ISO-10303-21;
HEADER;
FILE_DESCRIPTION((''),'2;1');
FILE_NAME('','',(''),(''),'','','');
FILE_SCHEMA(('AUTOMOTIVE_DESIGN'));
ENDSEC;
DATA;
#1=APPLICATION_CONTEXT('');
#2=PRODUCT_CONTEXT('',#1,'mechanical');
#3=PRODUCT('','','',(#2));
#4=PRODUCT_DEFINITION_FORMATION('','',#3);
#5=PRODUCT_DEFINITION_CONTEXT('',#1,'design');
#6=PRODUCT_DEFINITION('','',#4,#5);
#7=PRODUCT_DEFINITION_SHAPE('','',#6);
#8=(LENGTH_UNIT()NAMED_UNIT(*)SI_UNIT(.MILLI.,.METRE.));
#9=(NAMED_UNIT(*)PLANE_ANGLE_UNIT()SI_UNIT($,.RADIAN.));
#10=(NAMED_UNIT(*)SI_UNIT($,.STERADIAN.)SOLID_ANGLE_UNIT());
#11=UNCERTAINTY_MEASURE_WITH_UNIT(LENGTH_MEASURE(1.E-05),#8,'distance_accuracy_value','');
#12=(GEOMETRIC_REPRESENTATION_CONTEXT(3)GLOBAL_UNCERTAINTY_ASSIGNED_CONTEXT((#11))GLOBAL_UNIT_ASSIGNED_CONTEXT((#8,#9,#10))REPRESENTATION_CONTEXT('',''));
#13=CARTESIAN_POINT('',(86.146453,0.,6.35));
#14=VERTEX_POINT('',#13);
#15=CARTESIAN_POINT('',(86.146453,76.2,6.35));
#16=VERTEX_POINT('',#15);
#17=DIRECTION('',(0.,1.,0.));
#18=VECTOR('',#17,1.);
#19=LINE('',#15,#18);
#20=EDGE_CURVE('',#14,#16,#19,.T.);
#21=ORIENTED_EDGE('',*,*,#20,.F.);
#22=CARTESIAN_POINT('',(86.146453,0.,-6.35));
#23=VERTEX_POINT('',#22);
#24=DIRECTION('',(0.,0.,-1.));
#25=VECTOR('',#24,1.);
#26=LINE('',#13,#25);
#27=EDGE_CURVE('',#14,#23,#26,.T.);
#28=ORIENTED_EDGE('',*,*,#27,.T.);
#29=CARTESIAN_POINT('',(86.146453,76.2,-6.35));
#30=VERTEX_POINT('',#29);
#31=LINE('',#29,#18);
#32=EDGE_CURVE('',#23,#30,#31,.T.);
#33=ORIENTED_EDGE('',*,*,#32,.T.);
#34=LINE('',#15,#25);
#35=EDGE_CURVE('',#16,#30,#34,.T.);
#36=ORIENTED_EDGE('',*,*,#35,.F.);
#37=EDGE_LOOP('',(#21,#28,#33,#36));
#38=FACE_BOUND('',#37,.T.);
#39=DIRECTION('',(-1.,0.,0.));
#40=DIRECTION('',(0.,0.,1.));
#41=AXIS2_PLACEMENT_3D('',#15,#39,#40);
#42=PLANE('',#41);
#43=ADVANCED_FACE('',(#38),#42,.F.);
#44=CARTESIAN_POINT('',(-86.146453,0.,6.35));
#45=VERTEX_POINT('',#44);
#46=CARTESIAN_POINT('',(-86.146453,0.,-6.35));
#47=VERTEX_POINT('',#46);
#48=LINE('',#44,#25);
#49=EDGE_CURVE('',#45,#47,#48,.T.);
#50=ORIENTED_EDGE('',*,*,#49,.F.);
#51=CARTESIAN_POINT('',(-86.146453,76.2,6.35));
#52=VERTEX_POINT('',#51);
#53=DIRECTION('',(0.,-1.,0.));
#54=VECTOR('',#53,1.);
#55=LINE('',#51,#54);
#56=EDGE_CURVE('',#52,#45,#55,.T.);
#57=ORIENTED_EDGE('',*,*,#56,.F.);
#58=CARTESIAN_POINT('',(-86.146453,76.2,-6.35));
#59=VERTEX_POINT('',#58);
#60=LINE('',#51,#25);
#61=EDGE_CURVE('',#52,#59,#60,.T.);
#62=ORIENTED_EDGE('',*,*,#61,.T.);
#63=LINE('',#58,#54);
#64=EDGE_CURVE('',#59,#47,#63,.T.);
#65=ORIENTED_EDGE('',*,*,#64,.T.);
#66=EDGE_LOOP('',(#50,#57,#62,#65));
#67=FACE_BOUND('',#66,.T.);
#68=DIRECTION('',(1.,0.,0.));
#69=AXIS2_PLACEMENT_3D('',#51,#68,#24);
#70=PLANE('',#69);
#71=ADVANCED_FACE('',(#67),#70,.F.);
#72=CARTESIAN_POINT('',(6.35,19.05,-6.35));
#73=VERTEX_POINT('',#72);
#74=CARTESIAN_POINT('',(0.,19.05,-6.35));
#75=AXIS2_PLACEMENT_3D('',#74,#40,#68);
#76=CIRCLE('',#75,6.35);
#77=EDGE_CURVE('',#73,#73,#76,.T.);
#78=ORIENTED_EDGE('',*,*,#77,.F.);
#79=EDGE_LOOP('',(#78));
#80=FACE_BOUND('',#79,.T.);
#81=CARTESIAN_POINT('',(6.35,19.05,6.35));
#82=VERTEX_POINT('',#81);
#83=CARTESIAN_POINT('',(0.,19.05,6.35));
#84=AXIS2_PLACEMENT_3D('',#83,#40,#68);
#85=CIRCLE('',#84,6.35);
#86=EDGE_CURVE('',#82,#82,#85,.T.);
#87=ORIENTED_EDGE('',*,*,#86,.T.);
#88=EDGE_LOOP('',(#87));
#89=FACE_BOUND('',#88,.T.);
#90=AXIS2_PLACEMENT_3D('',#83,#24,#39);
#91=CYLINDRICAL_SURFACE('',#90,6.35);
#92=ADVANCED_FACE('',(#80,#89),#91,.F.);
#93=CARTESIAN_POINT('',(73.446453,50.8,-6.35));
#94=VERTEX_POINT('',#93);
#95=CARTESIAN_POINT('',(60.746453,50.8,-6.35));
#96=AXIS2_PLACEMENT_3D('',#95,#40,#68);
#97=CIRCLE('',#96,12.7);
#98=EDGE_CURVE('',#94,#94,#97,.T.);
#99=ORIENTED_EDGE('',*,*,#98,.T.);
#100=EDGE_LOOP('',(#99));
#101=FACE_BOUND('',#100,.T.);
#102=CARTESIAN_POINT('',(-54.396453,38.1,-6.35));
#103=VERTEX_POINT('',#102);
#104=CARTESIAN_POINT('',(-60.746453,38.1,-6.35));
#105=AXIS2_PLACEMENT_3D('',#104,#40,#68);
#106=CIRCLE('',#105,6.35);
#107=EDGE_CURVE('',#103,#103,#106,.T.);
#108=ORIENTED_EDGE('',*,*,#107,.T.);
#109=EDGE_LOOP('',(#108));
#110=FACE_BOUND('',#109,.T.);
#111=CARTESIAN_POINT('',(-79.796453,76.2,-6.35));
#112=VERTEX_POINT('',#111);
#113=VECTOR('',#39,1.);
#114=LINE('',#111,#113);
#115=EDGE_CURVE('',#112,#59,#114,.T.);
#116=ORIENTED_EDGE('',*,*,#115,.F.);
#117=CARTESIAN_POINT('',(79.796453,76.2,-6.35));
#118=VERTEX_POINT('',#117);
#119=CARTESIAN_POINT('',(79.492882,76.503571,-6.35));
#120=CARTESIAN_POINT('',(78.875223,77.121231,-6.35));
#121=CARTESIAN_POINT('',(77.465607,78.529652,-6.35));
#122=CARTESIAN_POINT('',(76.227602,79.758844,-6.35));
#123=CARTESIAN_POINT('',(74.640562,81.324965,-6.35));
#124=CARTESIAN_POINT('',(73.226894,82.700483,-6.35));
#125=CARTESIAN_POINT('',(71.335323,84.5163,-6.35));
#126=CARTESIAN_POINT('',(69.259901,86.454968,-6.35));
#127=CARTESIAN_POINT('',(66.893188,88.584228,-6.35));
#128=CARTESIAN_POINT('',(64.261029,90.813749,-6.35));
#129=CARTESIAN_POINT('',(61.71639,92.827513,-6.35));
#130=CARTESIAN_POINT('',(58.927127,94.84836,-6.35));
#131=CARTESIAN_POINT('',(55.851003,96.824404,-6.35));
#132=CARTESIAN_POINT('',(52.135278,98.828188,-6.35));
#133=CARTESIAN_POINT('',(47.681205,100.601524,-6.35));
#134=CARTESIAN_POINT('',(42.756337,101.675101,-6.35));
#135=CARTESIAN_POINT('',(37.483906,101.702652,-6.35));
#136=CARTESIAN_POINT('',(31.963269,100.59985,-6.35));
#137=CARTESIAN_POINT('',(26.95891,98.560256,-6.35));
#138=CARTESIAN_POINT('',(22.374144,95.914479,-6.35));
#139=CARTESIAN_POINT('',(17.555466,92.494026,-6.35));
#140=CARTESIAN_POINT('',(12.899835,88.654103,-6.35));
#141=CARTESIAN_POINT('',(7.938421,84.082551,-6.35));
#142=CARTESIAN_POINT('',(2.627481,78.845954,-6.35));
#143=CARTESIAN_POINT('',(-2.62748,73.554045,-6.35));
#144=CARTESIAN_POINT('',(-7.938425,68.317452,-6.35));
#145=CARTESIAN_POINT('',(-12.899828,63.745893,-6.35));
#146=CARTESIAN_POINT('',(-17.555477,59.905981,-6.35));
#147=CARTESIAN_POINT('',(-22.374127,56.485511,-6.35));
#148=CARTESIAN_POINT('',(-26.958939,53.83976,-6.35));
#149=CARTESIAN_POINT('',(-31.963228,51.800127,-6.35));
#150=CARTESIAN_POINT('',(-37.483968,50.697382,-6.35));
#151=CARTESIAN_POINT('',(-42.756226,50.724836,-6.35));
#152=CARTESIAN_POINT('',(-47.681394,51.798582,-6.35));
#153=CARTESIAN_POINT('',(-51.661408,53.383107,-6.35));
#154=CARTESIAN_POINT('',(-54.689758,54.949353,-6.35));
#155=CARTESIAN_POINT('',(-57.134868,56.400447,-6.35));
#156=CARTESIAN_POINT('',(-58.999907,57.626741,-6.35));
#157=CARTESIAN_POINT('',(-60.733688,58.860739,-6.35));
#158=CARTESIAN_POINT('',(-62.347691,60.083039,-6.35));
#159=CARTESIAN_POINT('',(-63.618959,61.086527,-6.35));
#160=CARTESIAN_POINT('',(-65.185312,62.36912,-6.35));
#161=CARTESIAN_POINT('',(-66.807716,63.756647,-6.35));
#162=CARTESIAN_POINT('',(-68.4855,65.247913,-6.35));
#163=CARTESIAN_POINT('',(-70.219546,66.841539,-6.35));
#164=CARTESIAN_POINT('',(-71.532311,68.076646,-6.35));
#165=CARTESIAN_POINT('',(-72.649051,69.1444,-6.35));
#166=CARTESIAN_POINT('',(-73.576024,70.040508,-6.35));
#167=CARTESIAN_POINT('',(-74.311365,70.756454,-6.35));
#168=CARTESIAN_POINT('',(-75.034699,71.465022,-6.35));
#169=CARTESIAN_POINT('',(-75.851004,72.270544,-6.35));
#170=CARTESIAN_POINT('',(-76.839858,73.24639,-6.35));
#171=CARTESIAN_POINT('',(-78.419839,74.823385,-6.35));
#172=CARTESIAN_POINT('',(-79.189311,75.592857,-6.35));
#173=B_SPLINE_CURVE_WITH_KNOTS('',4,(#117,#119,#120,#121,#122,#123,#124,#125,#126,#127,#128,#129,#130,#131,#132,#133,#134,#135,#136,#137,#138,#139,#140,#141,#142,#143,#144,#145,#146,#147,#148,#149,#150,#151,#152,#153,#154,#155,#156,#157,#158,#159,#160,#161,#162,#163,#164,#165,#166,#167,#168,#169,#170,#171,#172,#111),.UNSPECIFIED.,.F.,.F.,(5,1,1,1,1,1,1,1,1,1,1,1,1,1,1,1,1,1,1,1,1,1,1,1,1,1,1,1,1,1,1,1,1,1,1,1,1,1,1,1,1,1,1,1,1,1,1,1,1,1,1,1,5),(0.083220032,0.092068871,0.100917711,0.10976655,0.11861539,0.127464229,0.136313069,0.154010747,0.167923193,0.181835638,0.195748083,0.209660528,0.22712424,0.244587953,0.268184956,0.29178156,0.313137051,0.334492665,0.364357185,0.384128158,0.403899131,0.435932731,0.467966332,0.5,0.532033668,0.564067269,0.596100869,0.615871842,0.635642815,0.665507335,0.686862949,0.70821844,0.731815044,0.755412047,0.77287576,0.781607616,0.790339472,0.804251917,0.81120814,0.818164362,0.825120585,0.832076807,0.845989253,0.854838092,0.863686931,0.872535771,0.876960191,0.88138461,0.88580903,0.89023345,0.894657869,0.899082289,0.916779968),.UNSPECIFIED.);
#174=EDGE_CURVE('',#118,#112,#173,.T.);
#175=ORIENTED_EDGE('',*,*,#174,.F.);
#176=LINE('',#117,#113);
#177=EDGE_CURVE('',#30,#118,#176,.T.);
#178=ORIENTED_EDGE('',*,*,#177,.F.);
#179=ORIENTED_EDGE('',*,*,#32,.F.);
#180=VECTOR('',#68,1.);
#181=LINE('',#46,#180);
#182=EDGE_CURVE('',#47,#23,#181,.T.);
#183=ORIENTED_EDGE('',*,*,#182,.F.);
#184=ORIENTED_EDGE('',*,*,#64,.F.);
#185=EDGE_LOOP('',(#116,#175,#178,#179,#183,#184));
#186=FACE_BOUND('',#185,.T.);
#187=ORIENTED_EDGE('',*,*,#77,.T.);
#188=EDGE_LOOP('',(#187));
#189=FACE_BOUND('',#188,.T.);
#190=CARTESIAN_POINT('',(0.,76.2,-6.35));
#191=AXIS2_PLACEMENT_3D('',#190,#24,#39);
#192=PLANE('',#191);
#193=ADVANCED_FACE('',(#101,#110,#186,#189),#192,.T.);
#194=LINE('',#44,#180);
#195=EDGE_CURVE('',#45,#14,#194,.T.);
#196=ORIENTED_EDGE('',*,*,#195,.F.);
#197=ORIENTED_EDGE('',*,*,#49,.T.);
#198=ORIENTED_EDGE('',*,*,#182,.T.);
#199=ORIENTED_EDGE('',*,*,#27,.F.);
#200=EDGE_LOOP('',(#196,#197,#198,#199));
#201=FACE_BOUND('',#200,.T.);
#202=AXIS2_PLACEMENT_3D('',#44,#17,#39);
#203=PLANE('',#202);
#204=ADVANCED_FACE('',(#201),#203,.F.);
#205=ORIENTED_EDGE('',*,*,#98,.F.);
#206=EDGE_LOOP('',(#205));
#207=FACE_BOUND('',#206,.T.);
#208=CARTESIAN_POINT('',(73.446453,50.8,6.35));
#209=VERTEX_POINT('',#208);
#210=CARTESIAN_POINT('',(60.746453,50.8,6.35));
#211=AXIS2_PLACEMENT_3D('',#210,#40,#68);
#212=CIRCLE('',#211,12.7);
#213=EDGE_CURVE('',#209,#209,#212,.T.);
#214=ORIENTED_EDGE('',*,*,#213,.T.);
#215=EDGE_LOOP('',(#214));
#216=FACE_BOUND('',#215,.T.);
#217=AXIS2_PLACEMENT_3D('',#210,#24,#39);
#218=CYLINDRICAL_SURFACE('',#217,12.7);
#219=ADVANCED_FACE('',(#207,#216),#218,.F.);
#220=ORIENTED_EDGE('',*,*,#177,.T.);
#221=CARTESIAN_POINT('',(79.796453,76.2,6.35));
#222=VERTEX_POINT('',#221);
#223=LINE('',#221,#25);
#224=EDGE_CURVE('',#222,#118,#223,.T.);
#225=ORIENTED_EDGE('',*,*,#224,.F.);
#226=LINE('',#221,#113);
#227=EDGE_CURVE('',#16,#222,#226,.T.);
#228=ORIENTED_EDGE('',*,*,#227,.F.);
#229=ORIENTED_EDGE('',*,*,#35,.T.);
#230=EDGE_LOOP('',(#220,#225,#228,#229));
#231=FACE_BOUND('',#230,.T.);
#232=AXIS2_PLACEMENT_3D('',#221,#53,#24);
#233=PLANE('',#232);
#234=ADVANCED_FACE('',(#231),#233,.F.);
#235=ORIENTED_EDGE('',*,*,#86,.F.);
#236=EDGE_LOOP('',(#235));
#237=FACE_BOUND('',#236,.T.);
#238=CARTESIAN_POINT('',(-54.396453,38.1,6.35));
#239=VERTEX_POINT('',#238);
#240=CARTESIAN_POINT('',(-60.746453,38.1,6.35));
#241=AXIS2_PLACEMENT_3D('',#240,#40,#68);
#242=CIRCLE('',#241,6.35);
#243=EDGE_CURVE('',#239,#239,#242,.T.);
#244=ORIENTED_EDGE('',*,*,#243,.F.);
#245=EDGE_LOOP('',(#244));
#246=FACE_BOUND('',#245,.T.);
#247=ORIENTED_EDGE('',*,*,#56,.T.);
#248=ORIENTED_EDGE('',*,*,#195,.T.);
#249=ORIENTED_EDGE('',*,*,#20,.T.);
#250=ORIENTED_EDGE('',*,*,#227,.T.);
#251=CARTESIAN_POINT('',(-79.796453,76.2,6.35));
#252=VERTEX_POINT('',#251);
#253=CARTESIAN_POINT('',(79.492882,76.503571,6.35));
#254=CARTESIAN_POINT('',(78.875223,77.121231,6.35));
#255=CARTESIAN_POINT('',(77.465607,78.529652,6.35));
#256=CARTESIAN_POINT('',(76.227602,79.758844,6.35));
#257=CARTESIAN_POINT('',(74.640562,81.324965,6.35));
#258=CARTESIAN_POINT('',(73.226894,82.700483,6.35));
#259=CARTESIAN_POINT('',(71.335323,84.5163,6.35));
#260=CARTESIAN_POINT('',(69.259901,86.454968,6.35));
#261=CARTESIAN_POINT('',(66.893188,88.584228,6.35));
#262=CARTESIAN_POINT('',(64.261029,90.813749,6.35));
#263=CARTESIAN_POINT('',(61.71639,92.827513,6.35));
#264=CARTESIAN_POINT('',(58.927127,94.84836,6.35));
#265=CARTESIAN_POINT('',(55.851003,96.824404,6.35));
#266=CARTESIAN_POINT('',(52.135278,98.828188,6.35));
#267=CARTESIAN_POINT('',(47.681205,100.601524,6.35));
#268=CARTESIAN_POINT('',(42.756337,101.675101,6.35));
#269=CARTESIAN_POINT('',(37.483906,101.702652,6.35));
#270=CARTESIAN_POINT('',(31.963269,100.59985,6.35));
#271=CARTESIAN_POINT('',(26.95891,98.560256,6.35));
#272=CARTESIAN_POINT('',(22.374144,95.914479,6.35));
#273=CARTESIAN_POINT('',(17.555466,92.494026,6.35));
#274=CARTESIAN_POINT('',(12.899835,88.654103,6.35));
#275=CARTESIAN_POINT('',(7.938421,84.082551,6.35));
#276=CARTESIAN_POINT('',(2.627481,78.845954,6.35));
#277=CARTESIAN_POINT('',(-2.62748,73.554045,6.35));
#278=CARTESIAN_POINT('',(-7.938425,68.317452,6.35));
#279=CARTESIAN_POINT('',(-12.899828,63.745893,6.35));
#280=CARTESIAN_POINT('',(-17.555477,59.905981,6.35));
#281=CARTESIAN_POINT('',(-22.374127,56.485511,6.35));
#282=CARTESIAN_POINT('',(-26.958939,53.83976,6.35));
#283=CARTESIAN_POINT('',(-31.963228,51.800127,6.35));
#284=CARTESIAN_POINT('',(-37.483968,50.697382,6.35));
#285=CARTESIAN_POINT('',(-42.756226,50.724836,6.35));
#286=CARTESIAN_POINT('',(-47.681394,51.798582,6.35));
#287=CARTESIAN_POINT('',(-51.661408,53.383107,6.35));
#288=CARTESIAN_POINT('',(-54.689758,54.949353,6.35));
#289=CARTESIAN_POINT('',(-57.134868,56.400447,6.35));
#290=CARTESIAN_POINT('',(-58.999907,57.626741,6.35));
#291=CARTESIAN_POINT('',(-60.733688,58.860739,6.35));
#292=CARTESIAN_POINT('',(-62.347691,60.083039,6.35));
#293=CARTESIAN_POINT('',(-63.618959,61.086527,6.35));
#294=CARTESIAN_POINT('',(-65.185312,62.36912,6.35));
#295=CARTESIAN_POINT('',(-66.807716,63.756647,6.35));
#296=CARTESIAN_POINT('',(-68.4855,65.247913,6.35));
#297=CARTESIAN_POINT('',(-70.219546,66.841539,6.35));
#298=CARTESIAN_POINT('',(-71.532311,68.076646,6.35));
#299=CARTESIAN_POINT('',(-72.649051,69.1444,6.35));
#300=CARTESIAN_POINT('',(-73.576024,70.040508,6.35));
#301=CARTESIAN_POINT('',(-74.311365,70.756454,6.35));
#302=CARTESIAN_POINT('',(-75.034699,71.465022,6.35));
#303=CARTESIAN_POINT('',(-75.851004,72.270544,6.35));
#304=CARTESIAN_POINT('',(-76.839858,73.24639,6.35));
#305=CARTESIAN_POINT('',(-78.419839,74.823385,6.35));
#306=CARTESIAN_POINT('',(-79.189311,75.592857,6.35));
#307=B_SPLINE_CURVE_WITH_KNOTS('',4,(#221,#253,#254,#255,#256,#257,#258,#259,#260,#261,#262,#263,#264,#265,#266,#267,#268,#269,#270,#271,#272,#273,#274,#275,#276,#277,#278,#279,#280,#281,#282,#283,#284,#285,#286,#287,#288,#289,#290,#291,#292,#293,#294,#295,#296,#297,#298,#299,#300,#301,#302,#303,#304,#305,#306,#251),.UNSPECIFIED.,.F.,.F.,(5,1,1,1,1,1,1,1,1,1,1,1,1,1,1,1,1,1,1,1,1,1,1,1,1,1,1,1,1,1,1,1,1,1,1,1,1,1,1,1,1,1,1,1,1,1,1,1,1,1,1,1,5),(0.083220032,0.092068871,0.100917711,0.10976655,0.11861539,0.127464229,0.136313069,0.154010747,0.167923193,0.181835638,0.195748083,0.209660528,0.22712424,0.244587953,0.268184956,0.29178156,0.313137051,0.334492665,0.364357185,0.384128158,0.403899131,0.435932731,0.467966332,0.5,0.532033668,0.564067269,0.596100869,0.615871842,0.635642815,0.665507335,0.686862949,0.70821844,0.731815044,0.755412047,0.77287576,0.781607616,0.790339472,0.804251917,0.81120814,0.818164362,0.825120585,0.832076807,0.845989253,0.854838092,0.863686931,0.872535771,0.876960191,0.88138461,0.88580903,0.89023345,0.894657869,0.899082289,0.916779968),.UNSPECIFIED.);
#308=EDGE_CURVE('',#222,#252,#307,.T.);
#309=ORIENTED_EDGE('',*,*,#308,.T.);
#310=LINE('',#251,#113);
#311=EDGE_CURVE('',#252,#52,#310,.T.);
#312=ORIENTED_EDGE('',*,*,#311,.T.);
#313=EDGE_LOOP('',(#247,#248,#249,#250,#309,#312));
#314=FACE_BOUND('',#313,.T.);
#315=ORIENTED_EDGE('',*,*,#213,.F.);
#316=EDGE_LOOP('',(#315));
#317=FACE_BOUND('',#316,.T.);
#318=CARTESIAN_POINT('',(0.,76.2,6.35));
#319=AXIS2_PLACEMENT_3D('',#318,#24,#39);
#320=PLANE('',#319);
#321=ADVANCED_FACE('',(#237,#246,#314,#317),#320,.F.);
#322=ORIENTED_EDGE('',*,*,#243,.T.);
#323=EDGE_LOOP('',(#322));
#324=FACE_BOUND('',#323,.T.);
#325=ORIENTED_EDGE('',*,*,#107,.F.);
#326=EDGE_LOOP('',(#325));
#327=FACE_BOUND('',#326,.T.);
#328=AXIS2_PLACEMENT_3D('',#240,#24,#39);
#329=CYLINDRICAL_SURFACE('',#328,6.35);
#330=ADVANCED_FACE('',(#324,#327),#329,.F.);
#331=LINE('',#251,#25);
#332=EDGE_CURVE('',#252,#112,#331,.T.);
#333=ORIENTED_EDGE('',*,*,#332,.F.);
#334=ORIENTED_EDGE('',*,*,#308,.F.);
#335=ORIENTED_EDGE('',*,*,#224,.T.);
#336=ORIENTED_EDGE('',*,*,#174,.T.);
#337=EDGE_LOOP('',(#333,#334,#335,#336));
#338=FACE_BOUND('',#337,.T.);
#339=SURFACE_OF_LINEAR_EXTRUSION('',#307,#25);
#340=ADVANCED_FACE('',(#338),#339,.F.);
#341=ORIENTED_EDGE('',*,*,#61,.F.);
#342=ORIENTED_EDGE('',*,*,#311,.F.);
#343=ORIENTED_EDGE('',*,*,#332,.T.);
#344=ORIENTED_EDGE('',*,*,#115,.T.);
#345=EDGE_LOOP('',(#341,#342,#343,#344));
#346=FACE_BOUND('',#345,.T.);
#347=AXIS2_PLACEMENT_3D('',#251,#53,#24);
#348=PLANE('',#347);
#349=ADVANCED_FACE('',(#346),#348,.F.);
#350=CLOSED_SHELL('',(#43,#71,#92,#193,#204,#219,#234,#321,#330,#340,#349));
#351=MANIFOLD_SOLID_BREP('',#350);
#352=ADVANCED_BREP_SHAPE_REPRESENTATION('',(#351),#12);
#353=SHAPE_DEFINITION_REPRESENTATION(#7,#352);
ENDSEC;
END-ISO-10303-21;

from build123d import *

# Parameters (mm, degrees)
SKETCH1_R           = 6.35
SKETCH1_R_2         = 12.7
BOSS_EXTRUDE1_DEPTH = 6.35


with BuildPart() as part:
    # Sketch1 → Boss-Extrude1 (new body, symmetric)
    with BuildSketch(Plane.XY):
        with BuildLine():
            Line((-79.796453401, 76.2), (-86.146453401, 76.2))
            Line((-86.146453401, 76.2), (-86.146453401, 0))
            Line((-86.146453401, 0), (86.146453401, 0))
            Line((86.146453401, 0), (86.146453401, 76.2))
            Line((86.146453401, 76.2), (79.796453401, 76.2))
            add(Edge.make_bspline(
                [(-79.796453401, 76.2), (-79.189310673, 75.592857272), (-78.419838536, 74.823385314), (-76.839857821, 73.246390226), (-75.851003836, 72.270543834), (-75.034699193, 71.465022368), (-74.31136546, 70.756453846), (-73.576023602, 70.040507975), (-72.649051158, 69.144399927), (-71.532310925, 68.076646001), (-70.219545888, 66.841538959), (-68.485500153, 65.247913117), (-66.807716386, 63.756647213), (-65.185312119, 62.36911953), (-63.618958787, 61.086526883), (-62.34769091, 60.083038976), (-60.733687689, 58.860738712), (-58.999907039, 57.626741231), (-57.13486754, 56.400446885), (-54.689758355, 54.949353195), (-51.661408432, 53.383106741), (-47.681394209, 51.79858192), (-42.756225748, 50.724835978), (-37.483967518, 50.69738214), (-31.963227666, 51.800126692), (-26.958939092, 53.839759909), (-22.374127361, 56.485511101), (-17.5554774, 59.905980771), (-12.89982765, 63.745892876), (-7.93842501, 68.317451576), (-2.627479816, 73.554045081), (2.627480982, 78.845954257), (7.938421068, 84.082550661), (12.899835071, 88.654102914), (17.555465978, 92.49402571), (22.374144001, 95.914479457), (26.958910268, 98.560256445), (31.963269254, 100.599849723), (37.483906393, 101.702652489), (42.756336754, 101.675101345), (47.681204664, 100.601524117), (52.135278168, 98.828187823), (55.851003112, 96.824403503), (58.927126504, 94.848359807), (61.716390424, 92.827512958), (64.26102906, 90.813749271), (66.893187543, 88.584227753), (69.259901401, 86.454968432), (71.335322871, 84.51629968), (73.226893933, 82.7004825), (74.640561752, 81.324965424), (76.227601829, 79.75884352), (77.4656073, 78.52965168), (78.875222889, 77.121230608), (79.492882037, 76.503571364), (79.796453401, 76.2)],
                knots=[0.083220032, 0.083220032, 0.083220032, 0.083220032, 0.083220032, 0.100917711, 0.105342131, 0.10976655, 0.11419097, 0.11861539, 0.123039809, 0.127464229, 0.136313069, 0.145161908, 0.154010747, 0.167923193, 0.174879415, 0.181835638, 0.18879186, 0.195748083, 0.209660528, 0.218392384, 0.22712424, 0.244587953, 0.268184956, 0.29178156, 0.313137051, 0.334492665, 0.364357185, 0.384128158, 0.403899131, 0.435932731, 0.467966332, 0.5, 0.532033668, 0.564067269, 0.596100869, 0.615871842, 0.635642815, 0.665507335, 0.686862949, 0.70821844, 0.731815044, 0.755412047, 0.77287576, 0.790339472, 0.804251917, 0.818164362, 0.832076807, 0.845989253, 0.863686931, 0.872535771, 0.88138461, 0.89023345, 0.899082289, 0.907931129, 0.916779968, 0.916779968, 0.916779968, 0.916779968, 0.916779968], degree=4))
        make_face()
        with Locations((-60.746453401, 38.1)):
            Circle(SKETCH1_R, mode=Mode.SUBTRACT)
        with Locations((0, 19.05)):
            Circle(SKETCH1_R, mode=Mode.SUBTRACT)
        with Locations((60.746453401, 50.8)):
            Circle(SKETCH1_R_2, mode=Mode.SUBTRACT)
    extrude(amount=BOSS_EXTRUDE1_DEPTH, both=True)


solid = part.part
